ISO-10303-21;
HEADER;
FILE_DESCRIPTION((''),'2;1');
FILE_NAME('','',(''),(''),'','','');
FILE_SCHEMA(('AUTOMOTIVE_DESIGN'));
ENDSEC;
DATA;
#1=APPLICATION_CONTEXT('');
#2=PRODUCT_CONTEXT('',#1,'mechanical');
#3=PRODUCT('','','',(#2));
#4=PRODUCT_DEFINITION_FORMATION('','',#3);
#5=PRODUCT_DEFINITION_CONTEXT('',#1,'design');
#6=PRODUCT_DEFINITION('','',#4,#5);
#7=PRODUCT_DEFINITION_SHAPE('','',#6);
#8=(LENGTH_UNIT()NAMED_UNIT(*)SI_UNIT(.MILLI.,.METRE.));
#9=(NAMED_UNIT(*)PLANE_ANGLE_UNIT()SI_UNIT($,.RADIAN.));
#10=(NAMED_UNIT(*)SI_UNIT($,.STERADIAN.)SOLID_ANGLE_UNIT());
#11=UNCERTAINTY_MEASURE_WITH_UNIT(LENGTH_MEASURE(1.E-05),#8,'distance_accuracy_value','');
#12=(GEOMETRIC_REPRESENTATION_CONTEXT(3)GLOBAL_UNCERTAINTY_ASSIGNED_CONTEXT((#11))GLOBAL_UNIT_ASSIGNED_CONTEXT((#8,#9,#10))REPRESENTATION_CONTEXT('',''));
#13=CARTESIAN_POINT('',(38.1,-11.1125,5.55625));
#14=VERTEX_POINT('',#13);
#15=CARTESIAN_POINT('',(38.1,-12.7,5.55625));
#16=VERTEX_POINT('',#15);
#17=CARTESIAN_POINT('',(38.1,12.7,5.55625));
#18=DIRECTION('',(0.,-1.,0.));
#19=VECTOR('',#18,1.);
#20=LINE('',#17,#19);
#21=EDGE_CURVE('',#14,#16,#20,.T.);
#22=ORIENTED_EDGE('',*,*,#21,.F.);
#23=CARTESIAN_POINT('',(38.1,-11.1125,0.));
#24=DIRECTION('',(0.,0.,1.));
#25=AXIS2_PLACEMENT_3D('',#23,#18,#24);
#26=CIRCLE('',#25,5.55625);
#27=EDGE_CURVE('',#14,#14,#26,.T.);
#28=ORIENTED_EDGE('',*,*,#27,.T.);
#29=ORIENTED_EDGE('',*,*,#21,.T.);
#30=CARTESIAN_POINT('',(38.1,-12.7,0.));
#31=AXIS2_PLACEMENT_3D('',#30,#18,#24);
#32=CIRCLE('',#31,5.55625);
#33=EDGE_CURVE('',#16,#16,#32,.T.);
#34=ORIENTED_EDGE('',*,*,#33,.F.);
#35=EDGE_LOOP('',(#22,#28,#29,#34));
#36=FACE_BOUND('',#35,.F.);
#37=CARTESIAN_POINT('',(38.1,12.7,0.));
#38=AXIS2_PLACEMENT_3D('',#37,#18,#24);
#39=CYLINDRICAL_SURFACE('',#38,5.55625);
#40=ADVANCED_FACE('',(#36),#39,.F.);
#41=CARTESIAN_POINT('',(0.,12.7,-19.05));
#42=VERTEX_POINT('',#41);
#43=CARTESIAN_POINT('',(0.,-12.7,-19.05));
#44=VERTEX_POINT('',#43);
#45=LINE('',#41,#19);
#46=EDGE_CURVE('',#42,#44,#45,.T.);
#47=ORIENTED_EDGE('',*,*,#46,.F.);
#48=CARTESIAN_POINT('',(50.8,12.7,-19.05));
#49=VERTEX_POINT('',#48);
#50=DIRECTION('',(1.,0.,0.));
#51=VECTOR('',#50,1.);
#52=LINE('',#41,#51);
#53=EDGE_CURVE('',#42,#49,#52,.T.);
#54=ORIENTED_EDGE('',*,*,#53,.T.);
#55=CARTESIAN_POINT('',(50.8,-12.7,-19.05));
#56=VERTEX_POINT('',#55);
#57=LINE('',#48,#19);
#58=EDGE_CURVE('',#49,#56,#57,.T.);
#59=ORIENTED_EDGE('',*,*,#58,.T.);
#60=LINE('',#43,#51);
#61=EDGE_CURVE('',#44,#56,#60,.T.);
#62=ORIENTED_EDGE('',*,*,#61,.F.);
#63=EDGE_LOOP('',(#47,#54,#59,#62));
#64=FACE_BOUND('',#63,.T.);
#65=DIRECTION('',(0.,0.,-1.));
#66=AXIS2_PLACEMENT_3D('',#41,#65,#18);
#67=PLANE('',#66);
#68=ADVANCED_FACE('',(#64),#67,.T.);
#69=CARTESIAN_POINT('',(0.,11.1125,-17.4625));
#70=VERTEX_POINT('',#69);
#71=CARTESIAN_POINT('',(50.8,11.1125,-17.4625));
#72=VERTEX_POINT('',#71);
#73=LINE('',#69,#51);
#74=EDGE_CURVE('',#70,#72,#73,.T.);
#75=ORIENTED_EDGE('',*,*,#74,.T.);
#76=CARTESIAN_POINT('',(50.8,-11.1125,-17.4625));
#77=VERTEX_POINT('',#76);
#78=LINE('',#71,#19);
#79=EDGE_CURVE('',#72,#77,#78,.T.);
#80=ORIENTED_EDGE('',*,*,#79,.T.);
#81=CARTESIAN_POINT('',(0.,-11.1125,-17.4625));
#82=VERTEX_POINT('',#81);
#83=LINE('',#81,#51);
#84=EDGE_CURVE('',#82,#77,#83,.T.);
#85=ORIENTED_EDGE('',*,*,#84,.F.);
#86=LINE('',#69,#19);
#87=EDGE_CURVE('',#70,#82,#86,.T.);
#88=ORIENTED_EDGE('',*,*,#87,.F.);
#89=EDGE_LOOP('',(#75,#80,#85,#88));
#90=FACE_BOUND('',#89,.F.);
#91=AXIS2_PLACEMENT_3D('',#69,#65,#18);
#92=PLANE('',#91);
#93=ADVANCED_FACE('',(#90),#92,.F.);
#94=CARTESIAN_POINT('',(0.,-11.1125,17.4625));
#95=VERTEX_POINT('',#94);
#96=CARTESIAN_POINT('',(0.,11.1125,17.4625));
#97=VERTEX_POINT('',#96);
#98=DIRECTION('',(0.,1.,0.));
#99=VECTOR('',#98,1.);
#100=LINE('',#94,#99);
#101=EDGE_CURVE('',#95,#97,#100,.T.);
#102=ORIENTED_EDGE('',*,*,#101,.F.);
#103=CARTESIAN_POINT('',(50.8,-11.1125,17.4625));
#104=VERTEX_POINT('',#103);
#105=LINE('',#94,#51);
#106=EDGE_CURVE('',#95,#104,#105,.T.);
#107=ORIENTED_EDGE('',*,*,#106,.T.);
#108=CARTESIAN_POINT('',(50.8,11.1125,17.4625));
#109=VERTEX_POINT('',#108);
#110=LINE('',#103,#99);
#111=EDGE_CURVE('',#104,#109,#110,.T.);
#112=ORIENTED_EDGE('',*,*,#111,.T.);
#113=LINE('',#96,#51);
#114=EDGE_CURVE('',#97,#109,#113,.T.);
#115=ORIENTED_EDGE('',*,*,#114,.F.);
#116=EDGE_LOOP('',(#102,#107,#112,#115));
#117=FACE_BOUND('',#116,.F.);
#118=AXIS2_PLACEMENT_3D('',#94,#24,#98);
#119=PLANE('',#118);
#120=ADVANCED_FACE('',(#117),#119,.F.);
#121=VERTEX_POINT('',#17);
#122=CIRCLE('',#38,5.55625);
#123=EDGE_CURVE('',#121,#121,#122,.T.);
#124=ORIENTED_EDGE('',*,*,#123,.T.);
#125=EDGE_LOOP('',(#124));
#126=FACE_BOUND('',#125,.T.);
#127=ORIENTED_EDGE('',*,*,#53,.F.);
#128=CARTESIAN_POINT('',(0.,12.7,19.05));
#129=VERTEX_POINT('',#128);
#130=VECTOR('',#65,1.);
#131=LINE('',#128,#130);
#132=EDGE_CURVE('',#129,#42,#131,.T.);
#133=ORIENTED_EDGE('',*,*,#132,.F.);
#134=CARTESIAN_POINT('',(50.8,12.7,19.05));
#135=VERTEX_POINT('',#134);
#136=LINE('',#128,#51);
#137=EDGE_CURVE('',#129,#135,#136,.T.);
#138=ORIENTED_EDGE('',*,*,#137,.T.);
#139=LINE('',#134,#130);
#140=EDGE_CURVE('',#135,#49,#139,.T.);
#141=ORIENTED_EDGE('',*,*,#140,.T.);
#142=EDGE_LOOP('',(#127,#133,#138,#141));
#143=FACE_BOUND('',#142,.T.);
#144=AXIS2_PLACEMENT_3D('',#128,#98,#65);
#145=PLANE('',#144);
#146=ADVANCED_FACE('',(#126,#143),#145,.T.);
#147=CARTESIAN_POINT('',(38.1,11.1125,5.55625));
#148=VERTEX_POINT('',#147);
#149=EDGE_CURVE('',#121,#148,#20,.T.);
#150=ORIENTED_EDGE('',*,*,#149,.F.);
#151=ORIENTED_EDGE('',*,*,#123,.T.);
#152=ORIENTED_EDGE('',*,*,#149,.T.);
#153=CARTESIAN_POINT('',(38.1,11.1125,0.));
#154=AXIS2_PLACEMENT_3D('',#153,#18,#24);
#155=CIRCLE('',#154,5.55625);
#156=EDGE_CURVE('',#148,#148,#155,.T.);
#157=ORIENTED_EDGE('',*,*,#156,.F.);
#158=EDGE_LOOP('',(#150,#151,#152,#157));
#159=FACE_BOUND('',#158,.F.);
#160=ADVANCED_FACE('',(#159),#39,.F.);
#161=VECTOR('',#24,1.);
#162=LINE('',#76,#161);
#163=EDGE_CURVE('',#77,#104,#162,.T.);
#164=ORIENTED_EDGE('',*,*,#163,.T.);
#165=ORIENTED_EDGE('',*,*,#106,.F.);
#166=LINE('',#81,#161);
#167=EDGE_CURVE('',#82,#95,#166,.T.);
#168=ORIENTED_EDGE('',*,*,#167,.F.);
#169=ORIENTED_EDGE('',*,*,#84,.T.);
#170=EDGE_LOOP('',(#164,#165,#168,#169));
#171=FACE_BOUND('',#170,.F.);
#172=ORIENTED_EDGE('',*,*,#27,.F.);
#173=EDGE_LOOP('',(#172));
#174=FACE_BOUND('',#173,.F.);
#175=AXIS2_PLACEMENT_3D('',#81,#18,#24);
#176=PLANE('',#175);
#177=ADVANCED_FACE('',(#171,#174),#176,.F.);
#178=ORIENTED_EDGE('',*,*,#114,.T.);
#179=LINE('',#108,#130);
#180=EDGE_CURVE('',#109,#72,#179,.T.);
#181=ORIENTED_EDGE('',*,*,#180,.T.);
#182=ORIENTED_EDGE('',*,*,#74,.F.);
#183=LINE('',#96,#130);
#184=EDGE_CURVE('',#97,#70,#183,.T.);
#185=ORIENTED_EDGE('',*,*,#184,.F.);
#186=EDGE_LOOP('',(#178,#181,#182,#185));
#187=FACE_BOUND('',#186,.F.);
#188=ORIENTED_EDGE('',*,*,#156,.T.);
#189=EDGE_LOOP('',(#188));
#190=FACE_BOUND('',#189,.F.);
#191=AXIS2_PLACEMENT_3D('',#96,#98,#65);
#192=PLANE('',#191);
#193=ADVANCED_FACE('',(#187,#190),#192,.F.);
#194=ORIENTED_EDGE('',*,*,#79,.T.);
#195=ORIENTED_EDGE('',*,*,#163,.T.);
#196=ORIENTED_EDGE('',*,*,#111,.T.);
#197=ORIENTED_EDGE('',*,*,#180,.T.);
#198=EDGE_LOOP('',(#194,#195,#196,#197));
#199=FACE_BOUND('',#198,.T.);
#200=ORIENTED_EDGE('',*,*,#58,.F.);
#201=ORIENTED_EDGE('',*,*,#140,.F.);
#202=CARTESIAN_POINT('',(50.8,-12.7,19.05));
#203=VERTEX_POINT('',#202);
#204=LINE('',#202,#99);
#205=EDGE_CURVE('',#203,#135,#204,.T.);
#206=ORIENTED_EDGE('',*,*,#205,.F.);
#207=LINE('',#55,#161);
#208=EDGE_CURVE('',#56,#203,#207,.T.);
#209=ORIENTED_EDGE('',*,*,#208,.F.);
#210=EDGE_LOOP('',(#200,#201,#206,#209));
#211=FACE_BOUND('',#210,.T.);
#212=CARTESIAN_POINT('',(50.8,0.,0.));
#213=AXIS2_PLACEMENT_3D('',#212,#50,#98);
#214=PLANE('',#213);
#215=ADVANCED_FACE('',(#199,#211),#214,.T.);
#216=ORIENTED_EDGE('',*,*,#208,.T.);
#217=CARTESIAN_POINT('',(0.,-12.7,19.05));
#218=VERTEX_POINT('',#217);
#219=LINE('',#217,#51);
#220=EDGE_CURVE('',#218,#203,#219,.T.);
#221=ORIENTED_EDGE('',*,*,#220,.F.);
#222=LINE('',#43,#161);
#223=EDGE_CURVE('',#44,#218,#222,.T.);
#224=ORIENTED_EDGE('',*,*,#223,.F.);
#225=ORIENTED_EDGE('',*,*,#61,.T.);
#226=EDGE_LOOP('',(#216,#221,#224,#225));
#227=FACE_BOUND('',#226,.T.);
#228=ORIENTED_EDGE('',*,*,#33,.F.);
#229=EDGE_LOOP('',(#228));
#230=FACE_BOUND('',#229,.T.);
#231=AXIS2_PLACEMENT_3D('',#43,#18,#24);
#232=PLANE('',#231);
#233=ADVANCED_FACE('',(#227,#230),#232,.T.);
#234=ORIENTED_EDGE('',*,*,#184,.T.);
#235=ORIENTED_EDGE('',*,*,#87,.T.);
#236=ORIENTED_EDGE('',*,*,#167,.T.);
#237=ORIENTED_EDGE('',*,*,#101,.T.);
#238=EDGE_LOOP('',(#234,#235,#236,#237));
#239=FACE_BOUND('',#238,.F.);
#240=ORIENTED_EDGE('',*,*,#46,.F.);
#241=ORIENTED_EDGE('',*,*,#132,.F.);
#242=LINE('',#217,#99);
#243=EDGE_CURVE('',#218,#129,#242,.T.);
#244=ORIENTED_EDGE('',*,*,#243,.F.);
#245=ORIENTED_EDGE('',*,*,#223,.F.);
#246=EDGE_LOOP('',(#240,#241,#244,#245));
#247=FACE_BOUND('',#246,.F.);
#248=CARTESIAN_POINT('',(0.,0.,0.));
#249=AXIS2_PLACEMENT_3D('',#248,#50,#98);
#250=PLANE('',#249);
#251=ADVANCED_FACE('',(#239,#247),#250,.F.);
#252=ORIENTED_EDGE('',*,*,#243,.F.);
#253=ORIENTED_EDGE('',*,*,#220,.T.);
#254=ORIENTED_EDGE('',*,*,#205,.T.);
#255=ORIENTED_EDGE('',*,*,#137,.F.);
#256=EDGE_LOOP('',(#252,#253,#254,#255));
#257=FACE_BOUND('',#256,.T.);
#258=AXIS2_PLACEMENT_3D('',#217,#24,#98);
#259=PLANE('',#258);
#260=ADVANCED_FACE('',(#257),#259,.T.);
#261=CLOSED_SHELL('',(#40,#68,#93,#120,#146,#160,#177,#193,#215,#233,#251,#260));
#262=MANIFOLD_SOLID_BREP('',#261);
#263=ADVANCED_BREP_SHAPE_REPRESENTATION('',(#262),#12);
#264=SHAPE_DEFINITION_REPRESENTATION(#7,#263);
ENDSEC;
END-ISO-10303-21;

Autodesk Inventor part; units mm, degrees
ref_plane "Work Plane3" through (0, 12.7, 0) normal (0, 1, 0) x (-1, 0, 0)
ref_plane "Start Plane" through (0, 0, 0) normal (1, 0, 0) x (0, 1, 0)
ref_plane "End Plane" through (50.8, 0, 0) normal (1, 0, 0) x (0, 1, 0)
sketch "Sketch" plane through (0, 0, 0) normal (1, 0, 0) x (0, 1, 0)
  line L0 (-12.7, 19.05) -> (12.7, 19.05)
  line L1 (12.7, 19.05) -> (12.7, -19.05)
  line L2 (12.7, -19.05) -> (-12.7, -19.05)
  line L3 (-12.7, -19.05) -> (-12.7, 19.05)
  line L4 (-12.7, 19.05) -> (12.7, -19.05) construction
  line L5 (12.7, 19.05) -> (-12.7, -19.05) construction
  line L6 (-11.1125, 17.4625) -> (11.1125, 17.4625)
  line L7 (11.1125, 17.4625) -> (11.1125, -17.4625)
  line L8 (11.1125, -17.4625) -> (-11.1125, -17.4625)
  line L9 (-11.1125, -17.4625) -> (-11.1125, 17.4625)
  line L10 (-11.1125, 17.4625) -> (11.1125, -17.4625) construction
  line L11 (11.1125, 17.4625) -> (-11.1125, -17.4625) construction
  point P0 (0, 0)
  dimension "d0" = 38.1
  dimension "d1" = 25.4
  dimension "d2" = 1.5875
  dimension "d3" = 1.5875
extrude "Body" add sketch "Sketch" along normal up to surface (50.8 mm away) from surface at 0
sketch "Sketch8" plane through (0, 0, 0) normal (1, 0, 0) x (0, 1, 0)
  line L0 (0, 0) -> (10, 0)
ref_plane "Work Plane6" through (0, 0, 0) normal (0, 0, -1) x (0, 1, 0)
sketch "Sketch9" plane through (0, 0, 0) normal (0, 0, -1) x (0, 1, 0)
  line L0 (-17.78, 0) -> (17.78, 0)
  line L1 (-17.78, 50.8) -> (17.78, 50.8)
  dimension "d21" = 50.8
sketch "Sketch5" plane through (0, 12.7, -19.05) normal (0, 1, 0) x (1, 0, 0)
  line L0 (0, -38.1) -> (0, 0) projected
  point P0 (0, -19.05)
  point P1 (38.1, -19.05)
  dimension "d22" = 38.1
hole "Hole2" at (38.1, 12.7, 0) direction (0, -1, 0) diameter 11.1125 end through all
equation "\"d3\" = d2"
equation "\"G_OFFSET_START\" = 0"
equation "\"G_OFFSET_END\" = 0"
equation "\"d17\" = d4 + G_OFFSET_END"
equation "\"G_L\" = d21"
equation "\"d4\" = 50.8"
properties part number "1605682955206"
